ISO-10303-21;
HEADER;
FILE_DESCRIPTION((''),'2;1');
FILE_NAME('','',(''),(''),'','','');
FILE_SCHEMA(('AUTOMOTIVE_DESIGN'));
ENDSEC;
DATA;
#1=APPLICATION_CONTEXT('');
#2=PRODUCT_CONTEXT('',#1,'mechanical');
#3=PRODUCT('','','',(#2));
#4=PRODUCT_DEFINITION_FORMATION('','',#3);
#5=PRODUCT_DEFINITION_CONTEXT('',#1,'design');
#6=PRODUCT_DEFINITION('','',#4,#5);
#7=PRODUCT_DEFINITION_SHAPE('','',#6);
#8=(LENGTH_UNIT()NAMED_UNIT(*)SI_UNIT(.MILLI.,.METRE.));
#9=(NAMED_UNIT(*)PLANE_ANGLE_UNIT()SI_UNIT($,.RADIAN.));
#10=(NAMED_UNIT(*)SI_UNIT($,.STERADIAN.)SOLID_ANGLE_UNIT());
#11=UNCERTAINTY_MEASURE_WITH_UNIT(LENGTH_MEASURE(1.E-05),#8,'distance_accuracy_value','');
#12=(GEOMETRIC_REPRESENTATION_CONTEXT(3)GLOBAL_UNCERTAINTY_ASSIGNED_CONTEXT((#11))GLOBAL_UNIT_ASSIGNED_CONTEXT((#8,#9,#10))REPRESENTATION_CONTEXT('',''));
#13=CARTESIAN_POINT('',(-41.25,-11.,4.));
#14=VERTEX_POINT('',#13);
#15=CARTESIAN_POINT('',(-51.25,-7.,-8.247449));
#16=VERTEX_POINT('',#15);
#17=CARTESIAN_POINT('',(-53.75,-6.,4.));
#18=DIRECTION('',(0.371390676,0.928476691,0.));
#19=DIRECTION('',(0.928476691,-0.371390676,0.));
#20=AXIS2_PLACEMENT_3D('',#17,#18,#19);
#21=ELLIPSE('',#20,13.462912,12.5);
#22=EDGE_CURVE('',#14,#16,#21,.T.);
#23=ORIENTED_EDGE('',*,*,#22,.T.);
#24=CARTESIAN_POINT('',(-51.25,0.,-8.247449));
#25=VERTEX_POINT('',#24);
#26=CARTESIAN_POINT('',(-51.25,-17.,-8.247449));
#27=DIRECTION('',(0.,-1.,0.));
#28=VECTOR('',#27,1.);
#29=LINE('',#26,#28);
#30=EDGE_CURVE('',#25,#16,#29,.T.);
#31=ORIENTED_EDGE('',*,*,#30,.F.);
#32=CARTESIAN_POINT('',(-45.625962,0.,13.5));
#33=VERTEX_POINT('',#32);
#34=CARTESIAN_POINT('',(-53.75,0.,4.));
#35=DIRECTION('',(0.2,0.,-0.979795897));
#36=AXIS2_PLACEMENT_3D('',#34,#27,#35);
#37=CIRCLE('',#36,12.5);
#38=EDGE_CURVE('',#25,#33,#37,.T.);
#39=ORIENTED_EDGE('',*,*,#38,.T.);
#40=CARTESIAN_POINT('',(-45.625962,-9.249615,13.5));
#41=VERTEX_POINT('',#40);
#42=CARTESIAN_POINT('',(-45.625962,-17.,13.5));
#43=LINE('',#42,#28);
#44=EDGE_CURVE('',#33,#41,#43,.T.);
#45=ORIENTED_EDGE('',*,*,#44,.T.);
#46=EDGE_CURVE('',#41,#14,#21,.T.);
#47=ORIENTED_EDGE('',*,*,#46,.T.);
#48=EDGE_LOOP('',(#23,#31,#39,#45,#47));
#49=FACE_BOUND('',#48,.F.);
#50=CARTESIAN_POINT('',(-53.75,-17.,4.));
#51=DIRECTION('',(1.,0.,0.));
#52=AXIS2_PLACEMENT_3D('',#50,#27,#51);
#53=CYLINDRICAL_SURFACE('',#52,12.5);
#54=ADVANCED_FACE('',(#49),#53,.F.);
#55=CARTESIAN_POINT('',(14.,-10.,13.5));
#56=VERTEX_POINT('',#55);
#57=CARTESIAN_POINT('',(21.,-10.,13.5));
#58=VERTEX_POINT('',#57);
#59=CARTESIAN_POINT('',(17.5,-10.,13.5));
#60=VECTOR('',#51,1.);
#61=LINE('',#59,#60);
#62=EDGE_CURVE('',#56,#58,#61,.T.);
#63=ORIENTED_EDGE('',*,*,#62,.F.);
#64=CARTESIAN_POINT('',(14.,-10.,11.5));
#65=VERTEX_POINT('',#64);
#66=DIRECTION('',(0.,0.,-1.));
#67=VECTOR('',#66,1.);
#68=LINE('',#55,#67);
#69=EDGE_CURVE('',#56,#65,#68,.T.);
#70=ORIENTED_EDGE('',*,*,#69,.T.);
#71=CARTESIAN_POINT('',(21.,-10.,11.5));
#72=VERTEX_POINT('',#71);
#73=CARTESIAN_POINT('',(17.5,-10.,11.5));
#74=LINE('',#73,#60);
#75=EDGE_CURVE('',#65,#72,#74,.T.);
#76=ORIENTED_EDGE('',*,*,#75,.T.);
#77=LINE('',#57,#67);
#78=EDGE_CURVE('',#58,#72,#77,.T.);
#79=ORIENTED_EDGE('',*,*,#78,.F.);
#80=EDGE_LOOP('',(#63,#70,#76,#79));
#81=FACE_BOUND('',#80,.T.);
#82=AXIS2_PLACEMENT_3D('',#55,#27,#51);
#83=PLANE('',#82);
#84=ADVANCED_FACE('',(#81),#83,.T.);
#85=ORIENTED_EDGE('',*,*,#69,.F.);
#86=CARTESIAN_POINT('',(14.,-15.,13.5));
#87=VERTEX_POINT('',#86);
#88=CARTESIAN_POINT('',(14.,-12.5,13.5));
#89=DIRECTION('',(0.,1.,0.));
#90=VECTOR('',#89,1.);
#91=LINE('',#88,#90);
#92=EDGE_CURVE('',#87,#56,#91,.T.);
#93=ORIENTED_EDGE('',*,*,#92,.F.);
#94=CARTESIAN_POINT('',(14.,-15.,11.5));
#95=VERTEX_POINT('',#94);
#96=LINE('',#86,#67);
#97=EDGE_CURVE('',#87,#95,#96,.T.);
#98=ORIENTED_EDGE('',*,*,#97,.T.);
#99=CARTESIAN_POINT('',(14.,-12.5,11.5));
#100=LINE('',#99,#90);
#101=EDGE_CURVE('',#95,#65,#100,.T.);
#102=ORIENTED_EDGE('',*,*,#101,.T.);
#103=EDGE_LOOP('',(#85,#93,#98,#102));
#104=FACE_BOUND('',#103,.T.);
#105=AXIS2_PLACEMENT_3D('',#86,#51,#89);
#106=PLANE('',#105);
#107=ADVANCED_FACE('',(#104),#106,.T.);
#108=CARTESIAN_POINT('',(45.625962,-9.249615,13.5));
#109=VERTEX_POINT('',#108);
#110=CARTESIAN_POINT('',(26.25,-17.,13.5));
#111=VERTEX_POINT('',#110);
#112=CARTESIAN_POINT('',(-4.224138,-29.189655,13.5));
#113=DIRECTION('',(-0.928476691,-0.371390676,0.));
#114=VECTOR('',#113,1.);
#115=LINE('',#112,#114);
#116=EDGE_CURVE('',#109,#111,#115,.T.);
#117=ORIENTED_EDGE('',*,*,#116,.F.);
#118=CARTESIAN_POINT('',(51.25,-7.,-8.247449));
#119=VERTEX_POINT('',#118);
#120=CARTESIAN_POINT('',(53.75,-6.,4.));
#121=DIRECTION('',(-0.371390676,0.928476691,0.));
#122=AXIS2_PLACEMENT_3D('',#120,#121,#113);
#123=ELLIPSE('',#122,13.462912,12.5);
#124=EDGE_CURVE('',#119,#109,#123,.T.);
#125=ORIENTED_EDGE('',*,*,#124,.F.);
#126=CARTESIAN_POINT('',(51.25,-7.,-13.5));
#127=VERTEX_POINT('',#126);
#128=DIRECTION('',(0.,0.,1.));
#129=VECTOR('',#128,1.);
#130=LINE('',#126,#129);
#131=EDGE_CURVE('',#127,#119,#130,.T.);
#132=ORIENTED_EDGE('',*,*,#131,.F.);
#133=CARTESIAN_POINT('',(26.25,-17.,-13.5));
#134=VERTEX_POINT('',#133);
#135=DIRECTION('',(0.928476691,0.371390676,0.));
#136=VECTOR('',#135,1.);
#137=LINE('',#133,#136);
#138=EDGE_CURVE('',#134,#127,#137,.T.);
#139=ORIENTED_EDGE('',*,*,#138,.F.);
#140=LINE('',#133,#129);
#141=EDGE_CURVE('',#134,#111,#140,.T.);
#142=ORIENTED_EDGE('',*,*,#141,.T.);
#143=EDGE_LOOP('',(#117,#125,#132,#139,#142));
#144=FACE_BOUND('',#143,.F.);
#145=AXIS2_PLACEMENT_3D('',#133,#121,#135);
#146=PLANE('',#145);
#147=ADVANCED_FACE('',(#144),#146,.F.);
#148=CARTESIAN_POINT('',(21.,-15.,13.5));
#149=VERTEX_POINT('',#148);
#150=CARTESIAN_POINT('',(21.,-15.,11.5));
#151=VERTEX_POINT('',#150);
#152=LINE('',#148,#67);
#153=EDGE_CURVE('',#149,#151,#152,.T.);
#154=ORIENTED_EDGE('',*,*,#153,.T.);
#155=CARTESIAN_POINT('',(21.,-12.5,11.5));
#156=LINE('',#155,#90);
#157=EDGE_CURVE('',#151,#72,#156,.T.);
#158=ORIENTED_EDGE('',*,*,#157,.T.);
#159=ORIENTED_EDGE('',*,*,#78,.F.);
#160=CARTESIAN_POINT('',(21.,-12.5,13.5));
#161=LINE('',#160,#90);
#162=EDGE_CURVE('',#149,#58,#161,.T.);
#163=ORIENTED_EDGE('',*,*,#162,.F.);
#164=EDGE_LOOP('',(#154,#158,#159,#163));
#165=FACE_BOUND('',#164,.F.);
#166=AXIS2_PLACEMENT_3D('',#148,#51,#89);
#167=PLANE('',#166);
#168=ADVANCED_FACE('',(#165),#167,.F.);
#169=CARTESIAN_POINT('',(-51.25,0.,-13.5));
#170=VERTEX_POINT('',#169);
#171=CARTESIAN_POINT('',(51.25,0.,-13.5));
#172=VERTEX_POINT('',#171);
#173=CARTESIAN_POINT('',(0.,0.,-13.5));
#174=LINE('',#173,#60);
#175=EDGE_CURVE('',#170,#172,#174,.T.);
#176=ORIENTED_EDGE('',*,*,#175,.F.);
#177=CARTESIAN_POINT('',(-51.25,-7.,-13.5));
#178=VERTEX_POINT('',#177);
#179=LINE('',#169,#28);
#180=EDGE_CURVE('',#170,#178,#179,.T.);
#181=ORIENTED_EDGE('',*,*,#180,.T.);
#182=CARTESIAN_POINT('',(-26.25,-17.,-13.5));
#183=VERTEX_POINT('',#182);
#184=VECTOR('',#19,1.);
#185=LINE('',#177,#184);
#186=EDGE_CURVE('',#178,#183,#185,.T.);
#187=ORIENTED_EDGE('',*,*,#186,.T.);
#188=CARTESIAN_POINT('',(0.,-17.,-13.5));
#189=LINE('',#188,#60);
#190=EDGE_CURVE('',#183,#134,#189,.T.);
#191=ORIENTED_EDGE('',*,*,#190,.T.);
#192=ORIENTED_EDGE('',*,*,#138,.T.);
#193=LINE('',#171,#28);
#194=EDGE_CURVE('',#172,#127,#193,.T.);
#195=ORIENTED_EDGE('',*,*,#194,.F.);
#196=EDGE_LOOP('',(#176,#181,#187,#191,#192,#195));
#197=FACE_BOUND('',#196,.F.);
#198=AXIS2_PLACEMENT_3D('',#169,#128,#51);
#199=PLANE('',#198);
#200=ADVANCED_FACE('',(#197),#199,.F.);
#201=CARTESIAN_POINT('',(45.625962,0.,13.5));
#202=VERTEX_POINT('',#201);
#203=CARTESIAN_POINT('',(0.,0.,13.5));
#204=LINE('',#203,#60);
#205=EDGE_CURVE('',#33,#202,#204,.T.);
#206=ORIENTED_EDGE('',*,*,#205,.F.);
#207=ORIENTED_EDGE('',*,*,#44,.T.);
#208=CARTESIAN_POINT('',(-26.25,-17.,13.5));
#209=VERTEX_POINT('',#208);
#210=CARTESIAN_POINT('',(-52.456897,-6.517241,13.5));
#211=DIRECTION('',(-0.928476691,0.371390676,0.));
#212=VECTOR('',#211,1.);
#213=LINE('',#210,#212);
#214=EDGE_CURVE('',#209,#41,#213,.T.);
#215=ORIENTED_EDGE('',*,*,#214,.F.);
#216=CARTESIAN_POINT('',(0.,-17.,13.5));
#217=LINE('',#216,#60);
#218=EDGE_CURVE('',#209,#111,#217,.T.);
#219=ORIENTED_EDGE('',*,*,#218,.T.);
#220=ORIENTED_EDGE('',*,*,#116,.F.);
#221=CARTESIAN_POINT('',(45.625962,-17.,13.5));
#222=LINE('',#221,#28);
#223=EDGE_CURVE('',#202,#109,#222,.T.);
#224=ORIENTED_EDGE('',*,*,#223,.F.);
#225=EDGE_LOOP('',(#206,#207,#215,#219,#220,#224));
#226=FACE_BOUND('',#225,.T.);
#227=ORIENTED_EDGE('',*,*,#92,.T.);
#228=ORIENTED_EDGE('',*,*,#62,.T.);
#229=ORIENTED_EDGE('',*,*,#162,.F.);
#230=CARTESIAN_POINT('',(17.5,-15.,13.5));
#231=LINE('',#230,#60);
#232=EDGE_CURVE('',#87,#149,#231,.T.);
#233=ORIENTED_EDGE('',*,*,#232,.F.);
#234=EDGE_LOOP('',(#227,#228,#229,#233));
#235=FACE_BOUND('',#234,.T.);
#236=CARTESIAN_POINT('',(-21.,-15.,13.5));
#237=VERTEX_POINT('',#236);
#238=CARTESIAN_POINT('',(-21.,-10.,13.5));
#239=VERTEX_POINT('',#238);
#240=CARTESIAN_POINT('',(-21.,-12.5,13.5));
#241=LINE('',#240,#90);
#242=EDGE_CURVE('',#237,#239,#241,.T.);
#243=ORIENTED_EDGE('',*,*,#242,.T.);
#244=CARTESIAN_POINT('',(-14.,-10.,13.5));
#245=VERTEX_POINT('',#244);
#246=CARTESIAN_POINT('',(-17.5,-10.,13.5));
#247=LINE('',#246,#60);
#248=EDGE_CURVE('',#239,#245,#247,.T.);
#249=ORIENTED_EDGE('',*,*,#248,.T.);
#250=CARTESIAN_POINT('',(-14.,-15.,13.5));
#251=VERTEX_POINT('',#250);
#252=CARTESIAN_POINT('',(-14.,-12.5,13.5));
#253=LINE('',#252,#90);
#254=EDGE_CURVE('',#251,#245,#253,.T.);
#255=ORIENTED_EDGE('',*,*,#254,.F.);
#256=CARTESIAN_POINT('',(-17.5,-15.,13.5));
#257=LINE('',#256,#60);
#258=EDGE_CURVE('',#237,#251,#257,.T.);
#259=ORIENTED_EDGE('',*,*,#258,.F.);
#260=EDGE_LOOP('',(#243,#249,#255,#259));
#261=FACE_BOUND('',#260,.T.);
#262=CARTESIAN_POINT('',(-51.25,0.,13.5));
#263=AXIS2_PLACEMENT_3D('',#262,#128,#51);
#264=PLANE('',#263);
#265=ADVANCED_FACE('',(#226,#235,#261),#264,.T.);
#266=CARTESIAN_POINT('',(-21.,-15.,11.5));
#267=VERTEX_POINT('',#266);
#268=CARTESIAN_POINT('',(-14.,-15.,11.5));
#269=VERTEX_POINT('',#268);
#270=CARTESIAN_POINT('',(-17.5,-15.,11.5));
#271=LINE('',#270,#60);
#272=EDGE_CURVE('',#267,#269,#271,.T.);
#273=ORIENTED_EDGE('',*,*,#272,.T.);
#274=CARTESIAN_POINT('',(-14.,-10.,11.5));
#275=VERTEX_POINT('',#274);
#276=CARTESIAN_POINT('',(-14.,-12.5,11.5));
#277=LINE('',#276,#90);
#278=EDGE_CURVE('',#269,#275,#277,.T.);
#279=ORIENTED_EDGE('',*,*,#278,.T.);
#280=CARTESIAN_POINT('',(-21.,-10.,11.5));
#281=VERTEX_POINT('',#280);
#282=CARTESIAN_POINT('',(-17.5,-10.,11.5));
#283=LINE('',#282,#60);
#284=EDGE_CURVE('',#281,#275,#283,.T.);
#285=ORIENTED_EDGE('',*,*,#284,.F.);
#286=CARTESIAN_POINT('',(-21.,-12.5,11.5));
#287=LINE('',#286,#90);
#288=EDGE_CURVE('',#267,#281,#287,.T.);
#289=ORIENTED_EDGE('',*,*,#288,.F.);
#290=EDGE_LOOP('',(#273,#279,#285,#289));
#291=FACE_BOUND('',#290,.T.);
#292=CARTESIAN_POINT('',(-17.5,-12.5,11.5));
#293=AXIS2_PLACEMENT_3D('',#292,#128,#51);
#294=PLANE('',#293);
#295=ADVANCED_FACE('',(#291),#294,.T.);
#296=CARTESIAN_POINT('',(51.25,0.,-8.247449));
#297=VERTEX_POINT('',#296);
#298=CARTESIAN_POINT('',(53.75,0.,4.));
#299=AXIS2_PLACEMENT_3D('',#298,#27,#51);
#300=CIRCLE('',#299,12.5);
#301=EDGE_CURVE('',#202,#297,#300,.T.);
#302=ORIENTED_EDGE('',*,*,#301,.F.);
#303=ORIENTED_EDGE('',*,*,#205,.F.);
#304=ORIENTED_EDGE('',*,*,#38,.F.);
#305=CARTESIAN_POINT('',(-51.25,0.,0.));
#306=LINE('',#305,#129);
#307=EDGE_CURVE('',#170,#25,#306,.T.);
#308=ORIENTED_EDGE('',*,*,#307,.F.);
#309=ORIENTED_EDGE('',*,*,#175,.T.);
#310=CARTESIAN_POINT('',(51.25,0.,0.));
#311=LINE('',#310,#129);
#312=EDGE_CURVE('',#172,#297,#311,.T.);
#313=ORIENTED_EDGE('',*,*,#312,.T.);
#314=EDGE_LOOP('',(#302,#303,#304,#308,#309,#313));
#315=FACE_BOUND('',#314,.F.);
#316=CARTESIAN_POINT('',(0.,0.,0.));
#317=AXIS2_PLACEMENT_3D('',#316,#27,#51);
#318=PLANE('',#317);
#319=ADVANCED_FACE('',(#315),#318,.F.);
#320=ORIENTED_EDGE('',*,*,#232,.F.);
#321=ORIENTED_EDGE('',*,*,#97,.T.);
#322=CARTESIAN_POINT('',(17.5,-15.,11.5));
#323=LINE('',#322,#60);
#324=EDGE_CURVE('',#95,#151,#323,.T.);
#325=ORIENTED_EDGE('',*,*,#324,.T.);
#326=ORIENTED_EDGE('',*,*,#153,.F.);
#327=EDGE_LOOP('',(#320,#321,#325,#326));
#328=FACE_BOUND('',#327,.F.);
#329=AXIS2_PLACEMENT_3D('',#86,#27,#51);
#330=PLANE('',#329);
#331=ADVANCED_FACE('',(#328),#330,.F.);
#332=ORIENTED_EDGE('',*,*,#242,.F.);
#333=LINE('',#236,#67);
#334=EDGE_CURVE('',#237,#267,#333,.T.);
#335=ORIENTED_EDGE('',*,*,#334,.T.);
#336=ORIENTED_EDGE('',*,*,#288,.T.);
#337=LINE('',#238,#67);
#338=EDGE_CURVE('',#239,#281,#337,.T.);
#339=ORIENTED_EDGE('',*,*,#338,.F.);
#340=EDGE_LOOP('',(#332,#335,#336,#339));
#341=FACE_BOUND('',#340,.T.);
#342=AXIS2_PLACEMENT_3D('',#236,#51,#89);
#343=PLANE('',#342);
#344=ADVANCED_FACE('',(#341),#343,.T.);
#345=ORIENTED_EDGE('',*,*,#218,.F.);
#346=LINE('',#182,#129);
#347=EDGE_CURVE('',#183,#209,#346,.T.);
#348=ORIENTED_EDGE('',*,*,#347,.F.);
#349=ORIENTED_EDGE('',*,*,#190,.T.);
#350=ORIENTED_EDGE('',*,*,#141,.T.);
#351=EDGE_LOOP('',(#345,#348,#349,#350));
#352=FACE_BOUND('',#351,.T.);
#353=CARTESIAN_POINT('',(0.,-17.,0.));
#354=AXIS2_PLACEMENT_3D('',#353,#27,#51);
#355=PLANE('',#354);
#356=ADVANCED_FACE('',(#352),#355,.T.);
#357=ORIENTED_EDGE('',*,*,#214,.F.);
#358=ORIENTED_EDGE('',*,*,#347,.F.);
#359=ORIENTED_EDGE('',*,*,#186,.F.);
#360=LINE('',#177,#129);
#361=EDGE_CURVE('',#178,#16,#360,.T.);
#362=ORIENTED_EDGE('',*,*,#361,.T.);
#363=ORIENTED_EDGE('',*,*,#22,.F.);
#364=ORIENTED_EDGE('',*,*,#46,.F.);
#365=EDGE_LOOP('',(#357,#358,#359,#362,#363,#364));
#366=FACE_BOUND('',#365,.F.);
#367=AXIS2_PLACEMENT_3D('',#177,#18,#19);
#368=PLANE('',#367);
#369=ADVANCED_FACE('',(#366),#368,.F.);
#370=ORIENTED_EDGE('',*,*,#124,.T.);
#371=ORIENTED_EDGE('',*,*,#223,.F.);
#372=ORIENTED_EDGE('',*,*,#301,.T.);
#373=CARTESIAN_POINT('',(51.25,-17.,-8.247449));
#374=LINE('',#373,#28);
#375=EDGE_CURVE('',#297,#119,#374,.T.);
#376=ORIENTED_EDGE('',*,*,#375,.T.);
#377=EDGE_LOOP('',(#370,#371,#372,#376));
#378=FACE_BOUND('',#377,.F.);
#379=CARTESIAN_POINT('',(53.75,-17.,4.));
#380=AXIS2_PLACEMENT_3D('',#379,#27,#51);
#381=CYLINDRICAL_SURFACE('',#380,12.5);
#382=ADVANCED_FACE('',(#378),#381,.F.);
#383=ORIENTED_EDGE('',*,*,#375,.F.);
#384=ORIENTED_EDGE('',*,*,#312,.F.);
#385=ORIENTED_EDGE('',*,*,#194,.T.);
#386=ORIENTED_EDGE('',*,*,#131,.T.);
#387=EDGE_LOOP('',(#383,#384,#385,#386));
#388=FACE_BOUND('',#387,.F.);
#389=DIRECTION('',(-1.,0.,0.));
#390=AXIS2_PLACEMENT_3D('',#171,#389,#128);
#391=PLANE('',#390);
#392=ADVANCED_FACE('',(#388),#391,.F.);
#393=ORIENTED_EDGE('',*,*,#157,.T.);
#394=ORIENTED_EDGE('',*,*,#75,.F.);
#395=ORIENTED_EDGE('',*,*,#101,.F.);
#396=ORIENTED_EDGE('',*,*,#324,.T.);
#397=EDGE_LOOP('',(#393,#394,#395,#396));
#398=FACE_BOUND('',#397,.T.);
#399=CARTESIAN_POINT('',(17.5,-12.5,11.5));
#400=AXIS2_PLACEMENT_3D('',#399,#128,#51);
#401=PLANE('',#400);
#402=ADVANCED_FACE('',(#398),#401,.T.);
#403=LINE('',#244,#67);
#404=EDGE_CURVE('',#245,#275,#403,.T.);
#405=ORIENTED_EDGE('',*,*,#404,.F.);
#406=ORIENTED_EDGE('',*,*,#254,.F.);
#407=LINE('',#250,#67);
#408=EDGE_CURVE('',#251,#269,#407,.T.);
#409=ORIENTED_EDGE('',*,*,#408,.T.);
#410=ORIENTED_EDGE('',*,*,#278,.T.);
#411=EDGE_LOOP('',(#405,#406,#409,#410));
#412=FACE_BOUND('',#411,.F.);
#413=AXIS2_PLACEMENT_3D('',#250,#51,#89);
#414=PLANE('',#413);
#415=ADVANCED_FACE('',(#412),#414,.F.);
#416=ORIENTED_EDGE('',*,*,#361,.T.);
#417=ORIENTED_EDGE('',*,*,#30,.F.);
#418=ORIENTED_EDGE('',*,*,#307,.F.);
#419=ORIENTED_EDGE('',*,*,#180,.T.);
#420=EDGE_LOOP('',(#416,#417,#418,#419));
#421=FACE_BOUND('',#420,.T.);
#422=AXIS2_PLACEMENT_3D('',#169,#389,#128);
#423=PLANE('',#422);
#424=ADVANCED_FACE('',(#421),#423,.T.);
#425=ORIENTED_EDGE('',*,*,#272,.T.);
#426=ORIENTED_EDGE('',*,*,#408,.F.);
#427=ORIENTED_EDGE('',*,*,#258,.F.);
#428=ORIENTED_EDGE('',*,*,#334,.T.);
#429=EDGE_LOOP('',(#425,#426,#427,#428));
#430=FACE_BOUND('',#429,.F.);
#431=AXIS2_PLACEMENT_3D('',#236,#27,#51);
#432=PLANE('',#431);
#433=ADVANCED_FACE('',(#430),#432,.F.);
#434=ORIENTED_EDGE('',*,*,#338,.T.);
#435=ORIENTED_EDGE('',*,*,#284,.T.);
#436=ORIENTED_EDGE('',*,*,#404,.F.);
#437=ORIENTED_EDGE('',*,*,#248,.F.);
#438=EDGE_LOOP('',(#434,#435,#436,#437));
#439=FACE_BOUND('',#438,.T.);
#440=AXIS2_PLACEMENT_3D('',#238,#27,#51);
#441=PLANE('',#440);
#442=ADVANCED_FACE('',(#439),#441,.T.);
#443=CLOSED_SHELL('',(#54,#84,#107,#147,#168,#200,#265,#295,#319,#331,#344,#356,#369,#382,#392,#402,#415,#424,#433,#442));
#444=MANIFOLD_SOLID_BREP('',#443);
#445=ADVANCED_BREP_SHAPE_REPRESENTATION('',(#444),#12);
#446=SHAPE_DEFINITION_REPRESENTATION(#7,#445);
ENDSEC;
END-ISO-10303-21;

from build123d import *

# Parameters (mm, degrees)
F0_W     = 102.5
F0_H     = 27
F1_DEPTH = 17
F3_DEPTH = 190
F4_R     = 12.5
F5_DEPTH = 25
F6_W     = 7
F6_H     = 5
F7_DEPTH = 2


with BuildPart() as f1:
    # F0 (on Front) → F1 (new body)
    with BuildSketch(Plane.XZ):
        Rectangle(F0_W, F0_H)
    extrude(amount=F1_DEPTH)

    # F2 (on face) → F3 (cut)
    with BuildSketch(Plane(origin=(0, 0, -13.5), x_dir=(1, 0, 0), z_dir=(0, 0, -1))):
        Polygon((-51.25, 7), (-26.25, 17), (-51.25, 17), align=None)
        Polygon((51.25, 17), (26.25, 17), (51.25, 7), align=None)
    extrude(amount=-F3_DEPTH, mode=Mode.SUBTRACT)

    # F4 (on face) → F5 (cut)
    with BuildSketch(Plane.XZ.offset(17)):
        with Locations((-53.75, 4)):
            Circle(F4_R)
        with Locations((53.75, 4)):
            Circle(F4_R)
    extrude(amount=-F5_DEPTH, mode=Mode.SUBTRACT)

    # F6 (on face) → F7 (cut)
    with BuildSketch(Plane.XY.offset(13.5)):
        with Locations((17.5, -12.5)):
            Rectangle(F6_W, F6_H)
        with Locations((-17.5, -12.5)):
            Rectangle(F6_W, F6_H)
    extrude(amount=-F7_DEPTH, mode=Mode.SUBTRACT)


solid = f1.part
